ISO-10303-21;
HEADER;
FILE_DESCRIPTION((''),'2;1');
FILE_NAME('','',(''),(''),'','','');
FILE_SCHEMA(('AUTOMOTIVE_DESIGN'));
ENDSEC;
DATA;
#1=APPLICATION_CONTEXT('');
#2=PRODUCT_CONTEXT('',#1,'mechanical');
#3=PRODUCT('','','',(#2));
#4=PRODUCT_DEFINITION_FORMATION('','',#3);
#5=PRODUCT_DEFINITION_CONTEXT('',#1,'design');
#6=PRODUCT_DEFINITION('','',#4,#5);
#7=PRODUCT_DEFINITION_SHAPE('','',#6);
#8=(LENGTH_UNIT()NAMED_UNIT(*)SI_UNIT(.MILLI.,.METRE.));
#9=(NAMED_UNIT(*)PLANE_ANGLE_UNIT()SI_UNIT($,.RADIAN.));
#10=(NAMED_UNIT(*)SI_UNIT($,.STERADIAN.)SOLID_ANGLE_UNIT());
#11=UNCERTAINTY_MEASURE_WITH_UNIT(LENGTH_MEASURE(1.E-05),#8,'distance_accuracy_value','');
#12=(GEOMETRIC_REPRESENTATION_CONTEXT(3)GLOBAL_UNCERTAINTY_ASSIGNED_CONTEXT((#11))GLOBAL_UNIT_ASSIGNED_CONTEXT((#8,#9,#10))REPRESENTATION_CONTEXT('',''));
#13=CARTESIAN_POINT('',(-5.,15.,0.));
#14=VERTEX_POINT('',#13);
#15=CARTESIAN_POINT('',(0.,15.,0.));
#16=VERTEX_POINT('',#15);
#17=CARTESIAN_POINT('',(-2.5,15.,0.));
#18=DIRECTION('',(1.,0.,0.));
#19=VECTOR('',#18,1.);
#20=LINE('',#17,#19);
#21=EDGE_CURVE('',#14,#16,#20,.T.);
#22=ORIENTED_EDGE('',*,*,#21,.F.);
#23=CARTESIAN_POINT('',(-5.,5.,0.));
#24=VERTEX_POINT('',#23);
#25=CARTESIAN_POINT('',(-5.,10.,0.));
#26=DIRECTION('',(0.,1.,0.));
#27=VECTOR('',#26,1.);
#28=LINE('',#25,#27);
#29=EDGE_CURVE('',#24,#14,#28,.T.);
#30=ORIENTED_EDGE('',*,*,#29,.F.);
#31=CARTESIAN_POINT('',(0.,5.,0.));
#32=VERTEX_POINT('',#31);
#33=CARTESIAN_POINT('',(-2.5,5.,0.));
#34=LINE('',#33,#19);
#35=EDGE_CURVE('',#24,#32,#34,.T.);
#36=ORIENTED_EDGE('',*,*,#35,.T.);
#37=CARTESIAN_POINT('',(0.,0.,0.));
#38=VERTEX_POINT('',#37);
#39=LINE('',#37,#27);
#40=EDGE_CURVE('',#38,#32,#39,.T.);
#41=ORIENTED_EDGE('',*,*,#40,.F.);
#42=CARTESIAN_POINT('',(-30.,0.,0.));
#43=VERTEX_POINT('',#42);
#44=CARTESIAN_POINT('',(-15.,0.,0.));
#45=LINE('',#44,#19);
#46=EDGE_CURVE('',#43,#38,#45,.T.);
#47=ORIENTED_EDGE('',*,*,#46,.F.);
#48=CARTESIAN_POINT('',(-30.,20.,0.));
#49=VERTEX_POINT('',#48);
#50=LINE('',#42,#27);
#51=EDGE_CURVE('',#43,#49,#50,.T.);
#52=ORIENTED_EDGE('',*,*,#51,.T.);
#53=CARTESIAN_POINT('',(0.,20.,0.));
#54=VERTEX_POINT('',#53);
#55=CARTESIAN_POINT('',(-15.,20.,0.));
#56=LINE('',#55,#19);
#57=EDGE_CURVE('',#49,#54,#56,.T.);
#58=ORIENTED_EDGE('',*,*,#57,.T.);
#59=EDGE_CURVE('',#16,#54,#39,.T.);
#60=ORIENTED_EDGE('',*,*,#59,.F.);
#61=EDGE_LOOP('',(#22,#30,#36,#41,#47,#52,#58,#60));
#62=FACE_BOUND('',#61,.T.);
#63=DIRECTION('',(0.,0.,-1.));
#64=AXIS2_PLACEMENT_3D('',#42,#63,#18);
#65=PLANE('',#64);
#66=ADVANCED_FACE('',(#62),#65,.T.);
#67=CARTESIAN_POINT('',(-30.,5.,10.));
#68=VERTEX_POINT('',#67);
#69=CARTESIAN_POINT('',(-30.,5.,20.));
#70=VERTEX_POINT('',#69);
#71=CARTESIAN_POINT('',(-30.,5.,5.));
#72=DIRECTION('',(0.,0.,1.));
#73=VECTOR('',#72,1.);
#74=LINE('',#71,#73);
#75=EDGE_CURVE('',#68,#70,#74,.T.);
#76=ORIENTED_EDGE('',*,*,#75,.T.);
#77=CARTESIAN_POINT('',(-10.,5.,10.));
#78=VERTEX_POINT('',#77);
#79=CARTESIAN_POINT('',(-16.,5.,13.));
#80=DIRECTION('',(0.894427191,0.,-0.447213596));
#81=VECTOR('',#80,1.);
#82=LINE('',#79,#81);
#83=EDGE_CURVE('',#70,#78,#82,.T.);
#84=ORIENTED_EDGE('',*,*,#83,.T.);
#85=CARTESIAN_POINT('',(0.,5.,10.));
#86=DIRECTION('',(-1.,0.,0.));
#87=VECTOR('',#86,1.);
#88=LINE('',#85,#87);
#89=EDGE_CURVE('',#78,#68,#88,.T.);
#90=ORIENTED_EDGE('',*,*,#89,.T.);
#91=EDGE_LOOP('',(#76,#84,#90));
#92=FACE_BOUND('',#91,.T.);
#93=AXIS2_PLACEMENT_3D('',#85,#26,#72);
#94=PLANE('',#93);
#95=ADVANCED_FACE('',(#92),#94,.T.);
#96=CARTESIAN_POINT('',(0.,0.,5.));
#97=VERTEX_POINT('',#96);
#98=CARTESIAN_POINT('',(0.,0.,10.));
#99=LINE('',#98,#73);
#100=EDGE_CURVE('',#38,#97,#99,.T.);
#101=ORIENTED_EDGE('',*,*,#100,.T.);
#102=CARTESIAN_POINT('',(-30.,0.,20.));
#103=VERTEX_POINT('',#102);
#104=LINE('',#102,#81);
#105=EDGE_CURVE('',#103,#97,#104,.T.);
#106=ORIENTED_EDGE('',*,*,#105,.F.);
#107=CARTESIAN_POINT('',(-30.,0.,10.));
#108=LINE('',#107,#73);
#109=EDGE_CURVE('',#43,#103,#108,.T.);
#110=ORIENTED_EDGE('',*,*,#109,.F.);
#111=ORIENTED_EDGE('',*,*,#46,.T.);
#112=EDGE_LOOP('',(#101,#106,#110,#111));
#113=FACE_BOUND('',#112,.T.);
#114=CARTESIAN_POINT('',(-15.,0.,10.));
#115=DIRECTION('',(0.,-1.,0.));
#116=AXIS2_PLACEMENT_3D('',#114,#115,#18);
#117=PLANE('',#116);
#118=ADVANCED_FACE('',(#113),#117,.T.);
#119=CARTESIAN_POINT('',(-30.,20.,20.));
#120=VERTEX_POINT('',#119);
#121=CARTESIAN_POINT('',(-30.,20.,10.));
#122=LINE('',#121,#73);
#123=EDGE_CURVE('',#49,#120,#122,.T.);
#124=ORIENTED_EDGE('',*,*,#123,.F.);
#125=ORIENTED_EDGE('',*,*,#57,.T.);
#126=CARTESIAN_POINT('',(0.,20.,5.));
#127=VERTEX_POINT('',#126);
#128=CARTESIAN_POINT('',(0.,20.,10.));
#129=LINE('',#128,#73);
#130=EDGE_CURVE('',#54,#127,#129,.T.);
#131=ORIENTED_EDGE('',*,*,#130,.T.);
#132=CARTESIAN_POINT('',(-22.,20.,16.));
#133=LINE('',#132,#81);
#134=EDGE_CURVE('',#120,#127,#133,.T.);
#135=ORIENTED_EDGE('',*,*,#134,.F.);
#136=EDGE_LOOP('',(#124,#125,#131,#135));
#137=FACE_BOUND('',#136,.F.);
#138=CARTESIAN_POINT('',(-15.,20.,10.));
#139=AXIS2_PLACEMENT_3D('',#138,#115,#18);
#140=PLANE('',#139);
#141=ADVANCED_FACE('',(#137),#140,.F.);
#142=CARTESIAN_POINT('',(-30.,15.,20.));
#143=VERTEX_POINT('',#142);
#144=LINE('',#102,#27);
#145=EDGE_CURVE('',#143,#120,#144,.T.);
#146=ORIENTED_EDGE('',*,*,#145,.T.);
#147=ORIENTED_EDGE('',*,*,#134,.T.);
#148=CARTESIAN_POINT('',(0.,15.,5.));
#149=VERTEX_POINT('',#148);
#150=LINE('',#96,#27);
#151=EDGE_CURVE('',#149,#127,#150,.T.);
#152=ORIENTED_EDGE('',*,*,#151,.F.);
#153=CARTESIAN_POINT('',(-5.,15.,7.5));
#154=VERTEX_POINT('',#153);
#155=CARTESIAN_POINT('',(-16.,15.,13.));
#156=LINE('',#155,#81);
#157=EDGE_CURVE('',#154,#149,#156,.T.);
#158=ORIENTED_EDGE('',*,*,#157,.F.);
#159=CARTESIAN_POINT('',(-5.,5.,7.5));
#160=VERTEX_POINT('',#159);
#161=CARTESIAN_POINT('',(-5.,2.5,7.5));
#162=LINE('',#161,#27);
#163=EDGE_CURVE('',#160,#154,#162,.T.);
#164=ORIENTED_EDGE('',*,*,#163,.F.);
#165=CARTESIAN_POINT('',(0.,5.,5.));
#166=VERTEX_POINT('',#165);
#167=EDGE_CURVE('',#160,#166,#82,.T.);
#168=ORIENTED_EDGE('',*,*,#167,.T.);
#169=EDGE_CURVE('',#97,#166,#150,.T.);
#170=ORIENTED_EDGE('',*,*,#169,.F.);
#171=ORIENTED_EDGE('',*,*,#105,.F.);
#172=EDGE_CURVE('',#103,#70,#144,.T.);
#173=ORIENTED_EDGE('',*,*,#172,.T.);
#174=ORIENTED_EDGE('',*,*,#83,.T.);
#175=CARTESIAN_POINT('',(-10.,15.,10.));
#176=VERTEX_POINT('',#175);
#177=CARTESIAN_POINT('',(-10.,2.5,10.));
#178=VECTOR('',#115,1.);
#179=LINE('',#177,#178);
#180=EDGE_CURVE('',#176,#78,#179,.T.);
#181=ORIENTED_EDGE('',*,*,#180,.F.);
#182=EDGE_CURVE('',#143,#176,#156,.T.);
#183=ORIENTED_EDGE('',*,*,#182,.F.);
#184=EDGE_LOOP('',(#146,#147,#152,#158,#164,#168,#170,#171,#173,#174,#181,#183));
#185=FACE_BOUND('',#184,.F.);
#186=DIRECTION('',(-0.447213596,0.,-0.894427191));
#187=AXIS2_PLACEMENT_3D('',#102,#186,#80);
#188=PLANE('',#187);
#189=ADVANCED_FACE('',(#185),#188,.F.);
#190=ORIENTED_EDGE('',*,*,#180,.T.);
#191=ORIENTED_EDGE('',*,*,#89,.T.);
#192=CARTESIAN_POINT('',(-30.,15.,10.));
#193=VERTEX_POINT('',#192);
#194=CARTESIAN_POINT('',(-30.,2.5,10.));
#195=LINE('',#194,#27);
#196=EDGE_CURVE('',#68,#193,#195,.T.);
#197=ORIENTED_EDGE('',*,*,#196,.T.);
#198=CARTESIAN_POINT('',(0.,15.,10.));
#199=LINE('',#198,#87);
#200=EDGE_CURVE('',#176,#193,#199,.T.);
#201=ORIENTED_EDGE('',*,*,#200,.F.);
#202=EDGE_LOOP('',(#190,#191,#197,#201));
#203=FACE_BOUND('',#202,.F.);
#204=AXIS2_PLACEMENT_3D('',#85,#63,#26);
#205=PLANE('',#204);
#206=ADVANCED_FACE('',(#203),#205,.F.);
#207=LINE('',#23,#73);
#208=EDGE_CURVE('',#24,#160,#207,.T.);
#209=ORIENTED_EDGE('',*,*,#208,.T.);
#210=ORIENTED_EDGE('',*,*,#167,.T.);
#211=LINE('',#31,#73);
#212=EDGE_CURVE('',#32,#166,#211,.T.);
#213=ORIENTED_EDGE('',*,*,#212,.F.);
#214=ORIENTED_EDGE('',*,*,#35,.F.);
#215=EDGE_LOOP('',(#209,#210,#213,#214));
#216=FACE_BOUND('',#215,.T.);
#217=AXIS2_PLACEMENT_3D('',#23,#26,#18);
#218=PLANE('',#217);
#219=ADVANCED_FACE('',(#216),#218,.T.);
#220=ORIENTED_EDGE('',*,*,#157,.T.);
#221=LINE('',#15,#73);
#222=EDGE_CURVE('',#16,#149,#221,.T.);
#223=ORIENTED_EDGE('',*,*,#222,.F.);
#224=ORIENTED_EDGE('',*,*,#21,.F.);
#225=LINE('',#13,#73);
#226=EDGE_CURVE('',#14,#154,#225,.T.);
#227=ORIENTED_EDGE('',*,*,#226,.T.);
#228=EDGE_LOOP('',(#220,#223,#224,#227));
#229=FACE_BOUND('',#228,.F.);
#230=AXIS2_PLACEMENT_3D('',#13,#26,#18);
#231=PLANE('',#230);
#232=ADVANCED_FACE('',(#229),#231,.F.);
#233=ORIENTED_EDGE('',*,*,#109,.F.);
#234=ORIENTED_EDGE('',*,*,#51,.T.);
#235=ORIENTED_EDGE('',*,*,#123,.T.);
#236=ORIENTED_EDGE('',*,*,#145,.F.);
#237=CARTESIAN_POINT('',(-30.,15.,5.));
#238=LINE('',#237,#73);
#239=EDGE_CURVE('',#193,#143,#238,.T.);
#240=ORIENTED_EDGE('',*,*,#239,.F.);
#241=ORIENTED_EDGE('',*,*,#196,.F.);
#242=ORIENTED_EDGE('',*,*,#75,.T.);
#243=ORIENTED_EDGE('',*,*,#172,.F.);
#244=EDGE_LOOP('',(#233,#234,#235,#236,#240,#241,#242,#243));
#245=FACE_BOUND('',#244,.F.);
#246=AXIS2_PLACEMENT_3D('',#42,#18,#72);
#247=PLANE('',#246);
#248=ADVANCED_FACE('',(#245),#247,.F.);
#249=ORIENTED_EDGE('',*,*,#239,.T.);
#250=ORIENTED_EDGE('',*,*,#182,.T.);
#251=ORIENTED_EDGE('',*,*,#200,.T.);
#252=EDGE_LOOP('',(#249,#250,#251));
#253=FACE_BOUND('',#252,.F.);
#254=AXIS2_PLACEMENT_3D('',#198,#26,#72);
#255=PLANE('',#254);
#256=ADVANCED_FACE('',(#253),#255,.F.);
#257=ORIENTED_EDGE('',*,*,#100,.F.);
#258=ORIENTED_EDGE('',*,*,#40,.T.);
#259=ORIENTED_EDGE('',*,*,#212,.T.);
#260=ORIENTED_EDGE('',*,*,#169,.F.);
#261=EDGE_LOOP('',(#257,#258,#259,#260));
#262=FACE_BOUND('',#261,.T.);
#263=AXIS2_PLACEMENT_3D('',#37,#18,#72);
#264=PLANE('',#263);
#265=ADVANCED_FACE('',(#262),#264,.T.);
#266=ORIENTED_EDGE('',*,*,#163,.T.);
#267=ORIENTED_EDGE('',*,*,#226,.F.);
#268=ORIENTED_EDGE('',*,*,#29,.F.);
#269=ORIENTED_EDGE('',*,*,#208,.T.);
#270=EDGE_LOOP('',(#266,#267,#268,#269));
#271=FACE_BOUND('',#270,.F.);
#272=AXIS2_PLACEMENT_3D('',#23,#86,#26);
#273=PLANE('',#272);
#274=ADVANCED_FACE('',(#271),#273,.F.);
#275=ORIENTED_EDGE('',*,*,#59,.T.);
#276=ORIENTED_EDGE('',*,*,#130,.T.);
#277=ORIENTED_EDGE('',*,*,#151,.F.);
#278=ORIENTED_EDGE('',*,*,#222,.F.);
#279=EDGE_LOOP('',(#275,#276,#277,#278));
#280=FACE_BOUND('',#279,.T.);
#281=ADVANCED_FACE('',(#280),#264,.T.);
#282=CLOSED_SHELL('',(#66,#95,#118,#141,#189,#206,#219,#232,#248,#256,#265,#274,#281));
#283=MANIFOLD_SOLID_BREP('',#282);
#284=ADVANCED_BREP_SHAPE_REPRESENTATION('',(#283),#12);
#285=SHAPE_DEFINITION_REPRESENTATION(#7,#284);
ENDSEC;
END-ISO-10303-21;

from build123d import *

# Parameters (mm, degrees)
F0_W     = 30
F0_H     = 20
F1_DEPTH = 20
F3_DEPTH = 20.001
F4_W     = 10
F4_H     = 10
F5_DEPTH = 30.001
F6_W     = 5
F6_H     = 10
F7_DEPTH = 20.001


with BuildPart() as f1:
    # F0 (on Front) → F1 (new body)
    with BuildSketch(Plane.XZ):
        with Locations((-15, 10)):
            Rectangle(F0_W, F0_H)
    extrude(amount=-F1_DEPTH)

    # F2 (on Front) → F3 (cut, through all)
    with BuildSketch(Plane.XZ):
        Polygon((-30, 20), (0, 5), (0, 20), align=None)
    extrude(amount=-F3_DEPTH, mode=Mode.SUBTRACT)

    # F4 (on Right) → F5 (cut, through all)
    with BuildSketch(Plane.YZ):
        with Locations((10, 15)):
            Rectangle(F4_W, F4_H)
    extrude(amount=-F5_DEPTH, mode=Mode.SUBTRACT)

    # F6 (on Top) → F7 (cut, through all)
    with BuildSketch(Plane.XY):
        with Locations((-2.5, 10)):
            Rectangle(F6_W, F6_H)
    extrude(amount=F7_DEPTH, mode=Mode.SUBTRACT)


solid = f1.part
